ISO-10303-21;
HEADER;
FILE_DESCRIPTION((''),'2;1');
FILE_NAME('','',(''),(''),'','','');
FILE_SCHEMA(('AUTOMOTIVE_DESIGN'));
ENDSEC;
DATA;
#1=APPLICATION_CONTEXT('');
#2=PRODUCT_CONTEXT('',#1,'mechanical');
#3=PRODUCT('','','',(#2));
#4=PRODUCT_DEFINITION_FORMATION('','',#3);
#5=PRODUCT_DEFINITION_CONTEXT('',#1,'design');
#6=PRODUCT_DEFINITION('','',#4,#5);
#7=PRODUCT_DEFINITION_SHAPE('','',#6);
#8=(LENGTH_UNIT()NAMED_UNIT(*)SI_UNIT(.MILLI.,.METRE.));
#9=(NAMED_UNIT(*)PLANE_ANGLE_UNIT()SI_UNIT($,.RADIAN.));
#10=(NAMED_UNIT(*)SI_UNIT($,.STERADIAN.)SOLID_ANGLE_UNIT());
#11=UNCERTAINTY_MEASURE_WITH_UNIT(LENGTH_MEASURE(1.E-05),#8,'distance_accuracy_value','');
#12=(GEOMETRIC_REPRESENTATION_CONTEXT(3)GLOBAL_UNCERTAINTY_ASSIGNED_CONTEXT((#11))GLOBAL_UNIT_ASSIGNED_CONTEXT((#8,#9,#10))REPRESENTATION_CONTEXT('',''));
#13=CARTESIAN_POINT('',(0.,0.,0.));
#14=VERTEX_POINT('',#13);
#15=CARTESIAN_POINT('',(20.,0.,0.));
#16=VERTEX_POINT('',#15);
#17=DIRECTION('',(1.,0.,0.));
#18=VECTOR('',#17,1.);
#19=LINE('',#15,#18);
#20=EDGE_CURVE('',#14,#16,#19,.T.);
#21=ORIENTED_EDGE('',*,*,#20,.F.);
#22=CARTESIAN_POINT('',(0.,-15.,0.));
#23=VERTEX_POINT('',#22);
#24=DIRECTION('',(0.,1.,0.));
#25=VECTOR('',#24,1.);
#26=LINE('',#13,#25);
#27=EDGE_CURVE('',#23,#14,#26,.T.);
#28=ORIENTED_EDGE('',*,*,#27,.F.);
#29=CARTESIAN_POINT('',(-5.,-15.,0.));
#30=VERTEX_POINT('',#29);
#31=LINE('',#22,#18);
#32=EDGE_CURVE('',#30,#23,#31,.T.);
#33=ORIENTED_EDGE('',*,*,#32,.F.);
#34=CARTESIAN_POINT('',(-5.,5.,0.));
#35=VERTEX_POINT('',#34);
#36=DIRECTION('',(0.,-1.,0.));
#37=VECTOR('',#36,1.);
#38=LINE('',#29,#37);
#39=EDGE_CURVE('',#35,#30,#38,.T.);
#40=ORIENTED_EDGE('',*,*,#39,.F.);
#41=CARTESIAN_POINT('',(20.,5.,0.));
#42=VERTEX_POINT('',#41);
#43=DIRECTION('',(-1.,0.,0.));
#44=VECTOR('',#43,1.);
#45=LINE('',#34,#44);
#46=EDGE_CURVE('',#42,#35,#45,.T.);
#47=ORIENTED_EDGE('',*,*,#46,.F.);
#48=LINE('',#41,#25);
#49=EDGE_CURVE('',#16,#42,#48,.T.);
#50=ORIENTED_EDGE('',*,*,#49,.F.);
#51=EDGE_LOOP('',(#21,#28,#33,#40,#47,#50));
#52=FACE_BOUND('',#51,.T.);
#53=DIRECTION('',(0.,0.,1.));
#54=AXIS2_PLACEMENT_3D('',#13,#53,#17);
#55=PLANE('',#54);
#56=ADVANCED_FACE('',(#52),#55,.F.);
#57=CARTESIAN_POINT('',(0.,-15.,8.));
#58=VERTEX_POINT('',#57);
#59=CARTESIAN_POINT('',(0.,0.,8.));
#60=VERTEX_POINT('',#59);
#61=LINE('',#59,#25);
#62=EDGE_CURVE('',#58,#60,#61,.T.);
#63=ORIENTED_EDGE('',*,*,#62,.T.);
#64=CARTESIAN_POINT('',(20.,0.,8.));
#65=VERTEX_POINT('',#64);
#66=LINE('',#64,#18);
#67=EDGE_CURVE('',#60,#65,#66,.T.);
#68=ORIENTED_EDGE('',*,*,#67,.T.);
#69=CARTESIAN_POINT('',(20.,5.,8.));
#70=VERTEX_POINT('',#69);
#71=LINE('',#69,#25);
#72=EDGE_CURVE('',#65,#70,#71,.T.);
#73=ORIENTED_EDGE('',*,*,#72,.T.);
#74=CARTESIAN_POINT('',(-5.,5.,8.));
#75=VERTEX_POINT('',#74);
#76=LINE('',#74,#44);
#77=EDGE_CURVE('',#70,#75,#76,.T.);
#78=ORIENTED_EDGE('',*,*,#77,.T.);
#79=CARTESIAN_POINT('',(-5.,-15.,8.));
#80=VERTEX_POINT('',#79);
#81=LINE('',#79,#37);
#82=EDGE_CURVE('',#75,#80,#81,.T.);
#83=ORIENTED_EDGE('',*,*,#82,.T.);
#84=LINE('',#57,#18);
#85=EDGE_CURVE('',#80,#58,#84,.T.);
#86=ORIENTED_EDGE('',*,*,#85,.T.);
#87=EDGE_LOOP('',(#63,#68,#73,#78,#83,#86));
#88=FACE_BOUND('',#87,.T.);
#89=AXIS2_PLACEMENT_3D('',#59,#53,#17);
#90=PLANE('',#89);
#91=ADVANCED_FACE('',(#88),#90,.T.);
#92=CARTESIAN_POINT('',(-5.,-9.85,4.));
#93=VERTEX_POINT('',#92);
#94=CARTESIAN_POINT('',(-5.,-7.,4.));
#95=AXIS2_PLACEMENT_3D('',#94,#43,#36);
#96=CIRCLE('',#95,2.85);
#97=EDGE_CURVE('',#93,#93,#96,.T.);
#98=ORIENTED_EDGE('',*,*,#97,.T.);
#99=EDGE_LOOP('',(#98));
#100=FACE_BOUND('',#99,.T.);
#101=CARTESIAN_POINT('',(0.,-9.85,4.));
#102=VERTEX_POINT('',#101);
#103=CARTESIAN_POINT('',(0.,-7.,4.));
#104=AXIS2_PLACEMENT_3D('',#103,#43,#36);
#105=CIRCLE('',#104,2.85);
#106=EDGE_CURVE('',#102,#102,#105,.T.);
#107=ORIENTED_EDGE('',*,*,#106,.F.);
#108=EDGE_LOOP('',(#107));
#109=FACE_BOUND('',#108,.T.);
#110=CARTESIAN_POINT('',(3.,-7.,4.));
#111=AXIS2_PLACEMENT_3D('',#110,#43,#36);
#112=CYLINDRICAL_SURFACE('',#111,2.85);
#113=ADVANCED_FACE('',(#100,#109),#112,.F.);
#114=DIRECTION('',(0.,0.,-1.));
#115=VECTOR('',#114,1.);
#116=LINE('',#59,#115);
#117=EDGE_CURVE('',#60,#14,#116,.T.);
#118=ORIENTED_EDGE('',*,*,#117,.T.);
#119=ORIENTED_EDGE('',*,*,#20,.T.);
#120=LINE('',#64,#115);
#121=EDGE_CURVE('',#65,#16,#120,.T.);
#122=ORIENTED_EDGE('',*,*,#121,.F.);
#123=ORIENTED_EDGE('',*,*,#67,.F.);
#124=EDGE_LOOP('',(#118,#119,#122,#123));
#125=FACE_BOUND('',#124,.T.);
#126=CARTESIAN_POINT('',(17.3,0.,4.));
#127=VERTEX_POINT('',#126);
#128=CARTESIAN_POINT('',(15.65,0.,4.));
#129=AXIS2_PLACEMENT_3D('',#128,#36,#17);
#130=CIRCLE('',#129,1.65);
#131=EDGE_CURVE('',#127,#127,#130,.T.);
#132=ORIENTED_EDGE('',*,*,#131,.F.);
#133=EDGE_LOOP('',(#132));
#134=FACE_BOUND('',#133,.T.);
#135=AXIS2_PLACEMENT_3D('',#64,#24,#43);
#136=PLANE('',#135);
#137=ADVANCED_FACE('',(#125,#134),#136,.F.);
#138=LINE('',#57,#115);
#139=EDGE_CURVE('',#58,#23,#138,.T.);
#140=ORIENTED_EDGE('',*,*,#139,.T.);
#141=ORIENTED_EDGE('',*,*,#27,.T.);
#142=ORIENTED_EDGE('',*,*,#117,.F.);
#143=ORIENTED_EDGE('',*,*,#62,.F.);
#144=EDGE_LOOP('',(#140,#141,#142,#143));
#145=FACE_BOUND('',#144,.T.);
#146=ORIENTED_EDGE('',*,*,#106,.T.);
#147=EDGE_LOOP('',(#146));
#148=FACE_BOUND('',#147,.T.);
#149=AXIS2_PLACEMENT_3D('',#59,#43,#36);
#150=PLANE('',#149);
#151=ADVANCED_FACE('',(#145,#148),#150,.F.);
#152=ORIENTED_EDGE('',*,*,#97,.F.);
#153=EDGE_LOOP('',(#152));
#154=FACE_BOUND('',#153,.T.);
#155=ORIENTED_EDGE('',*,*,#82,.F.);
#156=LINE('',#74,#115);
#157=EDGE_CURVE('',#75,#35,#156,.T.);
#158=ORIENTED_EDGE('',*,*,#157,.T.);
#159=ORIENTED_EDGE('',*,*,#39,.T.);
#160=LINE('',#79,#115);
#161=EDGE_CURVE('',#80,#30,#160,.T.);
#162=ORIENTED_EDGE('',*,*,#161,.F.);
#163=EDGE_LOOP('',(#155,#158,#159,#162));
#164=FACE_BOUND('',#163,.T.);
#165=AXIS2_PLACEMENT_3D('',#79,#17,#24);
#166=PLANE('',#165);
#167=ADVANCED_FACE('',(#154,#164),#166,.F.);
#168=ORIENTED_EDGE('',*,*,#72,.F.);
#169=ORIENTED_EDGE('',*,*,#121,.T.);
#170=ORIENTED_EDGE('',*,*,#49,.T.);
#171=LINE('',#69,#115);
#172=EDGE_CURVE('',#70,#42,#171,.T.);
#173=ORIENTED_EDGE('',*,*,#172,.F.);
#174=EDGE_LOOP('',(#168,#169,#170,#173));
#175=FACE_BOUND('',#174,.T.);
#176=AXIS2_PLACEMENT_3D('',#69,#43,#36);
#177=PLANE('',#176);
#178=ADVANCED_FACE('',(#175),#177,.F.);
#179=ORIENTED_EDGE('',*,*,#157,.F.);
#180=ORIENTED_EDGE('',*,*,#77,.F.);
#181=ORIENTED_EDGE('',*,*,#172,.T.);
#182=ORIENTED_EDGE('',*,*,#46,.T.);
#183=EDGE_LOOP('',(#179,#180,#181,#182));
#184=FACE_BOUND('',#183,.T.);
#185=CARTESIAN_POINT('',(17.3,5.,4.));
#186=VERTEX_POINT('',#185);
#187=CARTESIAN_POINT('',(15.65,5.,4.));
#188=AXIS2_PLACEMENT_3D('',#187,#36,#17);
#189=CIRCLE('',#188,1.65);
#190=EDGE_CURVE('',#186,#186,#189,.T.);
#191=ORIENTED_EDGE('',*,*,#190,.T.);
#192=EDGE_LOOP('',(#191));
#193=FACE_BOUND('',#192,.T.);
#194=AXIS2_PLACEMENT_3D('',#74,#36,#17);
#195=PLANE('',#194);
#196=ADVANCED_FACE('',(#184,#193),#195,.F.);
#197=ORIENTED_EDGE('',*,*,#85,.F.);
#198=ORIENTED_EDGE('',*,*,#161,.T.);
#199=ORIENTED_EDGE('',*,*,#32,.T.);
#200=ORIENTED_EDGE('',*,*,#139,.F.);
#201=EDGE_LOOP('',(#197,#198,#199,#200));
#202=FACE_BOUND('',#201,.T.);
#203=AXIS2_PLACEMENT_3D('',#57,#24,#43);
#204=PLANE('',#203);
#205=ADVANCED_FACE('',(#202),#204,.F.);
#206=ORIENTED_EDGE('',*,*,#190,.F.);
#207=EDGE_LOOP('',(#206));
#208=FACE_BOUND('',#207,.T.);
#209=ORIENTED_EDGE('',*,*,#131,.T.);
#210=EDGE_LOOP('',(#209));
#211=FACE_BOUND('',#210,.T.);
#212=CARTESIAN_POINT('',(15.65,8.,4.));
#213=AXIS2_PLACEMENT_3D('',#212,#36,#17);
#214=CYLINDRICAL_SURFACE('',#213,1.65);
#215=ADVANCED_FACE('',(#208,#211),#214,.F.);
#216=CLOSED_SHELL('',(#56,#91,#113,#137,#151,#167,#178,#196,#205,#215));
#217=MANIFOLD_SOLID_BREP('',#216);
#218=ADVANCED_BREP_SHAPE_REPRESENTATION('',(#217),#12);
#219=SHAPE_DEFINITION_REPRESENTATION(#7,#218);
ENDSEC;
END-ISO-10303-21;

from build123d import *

# Parameters (mm, degrees)
EXTRUDE_1_DEPTH     = 8
SKETCH_2_R          = 1.65
CUT_EXTRUDE_1_DEPTH = 8
SKETCH_3_R          = 2.85
CUT_EXTRUDE_2_DEPTH = 8


with BuildPart() as part:
    # 草图1 → 凸台-拉伸1 (new body)
    with BuildSketch(Plane.XY):
        Polygon((0, 0), (0, -15), (-5, -15), (-5, 5), (20, 5), (20, 0), align=None)
    extrude(amount=EXTRUDE_1_DEPTH)

    # 草图2 → 切除-拉伸1 (cut)
    with BuildSketch(Plane.XZ):
        with Locations((15.65, 4)):
            Circle(SKETCH_2_R)
    extrude(amount=-CUT_EXTRUDE_1_DEPTH, mode=Mode.SUBTRACT)

    # 草图3 → 切除-拉伸2 (cut)
    with BuildSketch(Plane.ZY.offset(5)):
        with Locations(Location((4, -7, 0), (0, 0, 270))):
            Circle(SKETCH_3_R)
    extrude(amount=-CUT_EXTRUDE_2_DEPTH, mode=Mode.SUBTRACT)


solid = part.part
